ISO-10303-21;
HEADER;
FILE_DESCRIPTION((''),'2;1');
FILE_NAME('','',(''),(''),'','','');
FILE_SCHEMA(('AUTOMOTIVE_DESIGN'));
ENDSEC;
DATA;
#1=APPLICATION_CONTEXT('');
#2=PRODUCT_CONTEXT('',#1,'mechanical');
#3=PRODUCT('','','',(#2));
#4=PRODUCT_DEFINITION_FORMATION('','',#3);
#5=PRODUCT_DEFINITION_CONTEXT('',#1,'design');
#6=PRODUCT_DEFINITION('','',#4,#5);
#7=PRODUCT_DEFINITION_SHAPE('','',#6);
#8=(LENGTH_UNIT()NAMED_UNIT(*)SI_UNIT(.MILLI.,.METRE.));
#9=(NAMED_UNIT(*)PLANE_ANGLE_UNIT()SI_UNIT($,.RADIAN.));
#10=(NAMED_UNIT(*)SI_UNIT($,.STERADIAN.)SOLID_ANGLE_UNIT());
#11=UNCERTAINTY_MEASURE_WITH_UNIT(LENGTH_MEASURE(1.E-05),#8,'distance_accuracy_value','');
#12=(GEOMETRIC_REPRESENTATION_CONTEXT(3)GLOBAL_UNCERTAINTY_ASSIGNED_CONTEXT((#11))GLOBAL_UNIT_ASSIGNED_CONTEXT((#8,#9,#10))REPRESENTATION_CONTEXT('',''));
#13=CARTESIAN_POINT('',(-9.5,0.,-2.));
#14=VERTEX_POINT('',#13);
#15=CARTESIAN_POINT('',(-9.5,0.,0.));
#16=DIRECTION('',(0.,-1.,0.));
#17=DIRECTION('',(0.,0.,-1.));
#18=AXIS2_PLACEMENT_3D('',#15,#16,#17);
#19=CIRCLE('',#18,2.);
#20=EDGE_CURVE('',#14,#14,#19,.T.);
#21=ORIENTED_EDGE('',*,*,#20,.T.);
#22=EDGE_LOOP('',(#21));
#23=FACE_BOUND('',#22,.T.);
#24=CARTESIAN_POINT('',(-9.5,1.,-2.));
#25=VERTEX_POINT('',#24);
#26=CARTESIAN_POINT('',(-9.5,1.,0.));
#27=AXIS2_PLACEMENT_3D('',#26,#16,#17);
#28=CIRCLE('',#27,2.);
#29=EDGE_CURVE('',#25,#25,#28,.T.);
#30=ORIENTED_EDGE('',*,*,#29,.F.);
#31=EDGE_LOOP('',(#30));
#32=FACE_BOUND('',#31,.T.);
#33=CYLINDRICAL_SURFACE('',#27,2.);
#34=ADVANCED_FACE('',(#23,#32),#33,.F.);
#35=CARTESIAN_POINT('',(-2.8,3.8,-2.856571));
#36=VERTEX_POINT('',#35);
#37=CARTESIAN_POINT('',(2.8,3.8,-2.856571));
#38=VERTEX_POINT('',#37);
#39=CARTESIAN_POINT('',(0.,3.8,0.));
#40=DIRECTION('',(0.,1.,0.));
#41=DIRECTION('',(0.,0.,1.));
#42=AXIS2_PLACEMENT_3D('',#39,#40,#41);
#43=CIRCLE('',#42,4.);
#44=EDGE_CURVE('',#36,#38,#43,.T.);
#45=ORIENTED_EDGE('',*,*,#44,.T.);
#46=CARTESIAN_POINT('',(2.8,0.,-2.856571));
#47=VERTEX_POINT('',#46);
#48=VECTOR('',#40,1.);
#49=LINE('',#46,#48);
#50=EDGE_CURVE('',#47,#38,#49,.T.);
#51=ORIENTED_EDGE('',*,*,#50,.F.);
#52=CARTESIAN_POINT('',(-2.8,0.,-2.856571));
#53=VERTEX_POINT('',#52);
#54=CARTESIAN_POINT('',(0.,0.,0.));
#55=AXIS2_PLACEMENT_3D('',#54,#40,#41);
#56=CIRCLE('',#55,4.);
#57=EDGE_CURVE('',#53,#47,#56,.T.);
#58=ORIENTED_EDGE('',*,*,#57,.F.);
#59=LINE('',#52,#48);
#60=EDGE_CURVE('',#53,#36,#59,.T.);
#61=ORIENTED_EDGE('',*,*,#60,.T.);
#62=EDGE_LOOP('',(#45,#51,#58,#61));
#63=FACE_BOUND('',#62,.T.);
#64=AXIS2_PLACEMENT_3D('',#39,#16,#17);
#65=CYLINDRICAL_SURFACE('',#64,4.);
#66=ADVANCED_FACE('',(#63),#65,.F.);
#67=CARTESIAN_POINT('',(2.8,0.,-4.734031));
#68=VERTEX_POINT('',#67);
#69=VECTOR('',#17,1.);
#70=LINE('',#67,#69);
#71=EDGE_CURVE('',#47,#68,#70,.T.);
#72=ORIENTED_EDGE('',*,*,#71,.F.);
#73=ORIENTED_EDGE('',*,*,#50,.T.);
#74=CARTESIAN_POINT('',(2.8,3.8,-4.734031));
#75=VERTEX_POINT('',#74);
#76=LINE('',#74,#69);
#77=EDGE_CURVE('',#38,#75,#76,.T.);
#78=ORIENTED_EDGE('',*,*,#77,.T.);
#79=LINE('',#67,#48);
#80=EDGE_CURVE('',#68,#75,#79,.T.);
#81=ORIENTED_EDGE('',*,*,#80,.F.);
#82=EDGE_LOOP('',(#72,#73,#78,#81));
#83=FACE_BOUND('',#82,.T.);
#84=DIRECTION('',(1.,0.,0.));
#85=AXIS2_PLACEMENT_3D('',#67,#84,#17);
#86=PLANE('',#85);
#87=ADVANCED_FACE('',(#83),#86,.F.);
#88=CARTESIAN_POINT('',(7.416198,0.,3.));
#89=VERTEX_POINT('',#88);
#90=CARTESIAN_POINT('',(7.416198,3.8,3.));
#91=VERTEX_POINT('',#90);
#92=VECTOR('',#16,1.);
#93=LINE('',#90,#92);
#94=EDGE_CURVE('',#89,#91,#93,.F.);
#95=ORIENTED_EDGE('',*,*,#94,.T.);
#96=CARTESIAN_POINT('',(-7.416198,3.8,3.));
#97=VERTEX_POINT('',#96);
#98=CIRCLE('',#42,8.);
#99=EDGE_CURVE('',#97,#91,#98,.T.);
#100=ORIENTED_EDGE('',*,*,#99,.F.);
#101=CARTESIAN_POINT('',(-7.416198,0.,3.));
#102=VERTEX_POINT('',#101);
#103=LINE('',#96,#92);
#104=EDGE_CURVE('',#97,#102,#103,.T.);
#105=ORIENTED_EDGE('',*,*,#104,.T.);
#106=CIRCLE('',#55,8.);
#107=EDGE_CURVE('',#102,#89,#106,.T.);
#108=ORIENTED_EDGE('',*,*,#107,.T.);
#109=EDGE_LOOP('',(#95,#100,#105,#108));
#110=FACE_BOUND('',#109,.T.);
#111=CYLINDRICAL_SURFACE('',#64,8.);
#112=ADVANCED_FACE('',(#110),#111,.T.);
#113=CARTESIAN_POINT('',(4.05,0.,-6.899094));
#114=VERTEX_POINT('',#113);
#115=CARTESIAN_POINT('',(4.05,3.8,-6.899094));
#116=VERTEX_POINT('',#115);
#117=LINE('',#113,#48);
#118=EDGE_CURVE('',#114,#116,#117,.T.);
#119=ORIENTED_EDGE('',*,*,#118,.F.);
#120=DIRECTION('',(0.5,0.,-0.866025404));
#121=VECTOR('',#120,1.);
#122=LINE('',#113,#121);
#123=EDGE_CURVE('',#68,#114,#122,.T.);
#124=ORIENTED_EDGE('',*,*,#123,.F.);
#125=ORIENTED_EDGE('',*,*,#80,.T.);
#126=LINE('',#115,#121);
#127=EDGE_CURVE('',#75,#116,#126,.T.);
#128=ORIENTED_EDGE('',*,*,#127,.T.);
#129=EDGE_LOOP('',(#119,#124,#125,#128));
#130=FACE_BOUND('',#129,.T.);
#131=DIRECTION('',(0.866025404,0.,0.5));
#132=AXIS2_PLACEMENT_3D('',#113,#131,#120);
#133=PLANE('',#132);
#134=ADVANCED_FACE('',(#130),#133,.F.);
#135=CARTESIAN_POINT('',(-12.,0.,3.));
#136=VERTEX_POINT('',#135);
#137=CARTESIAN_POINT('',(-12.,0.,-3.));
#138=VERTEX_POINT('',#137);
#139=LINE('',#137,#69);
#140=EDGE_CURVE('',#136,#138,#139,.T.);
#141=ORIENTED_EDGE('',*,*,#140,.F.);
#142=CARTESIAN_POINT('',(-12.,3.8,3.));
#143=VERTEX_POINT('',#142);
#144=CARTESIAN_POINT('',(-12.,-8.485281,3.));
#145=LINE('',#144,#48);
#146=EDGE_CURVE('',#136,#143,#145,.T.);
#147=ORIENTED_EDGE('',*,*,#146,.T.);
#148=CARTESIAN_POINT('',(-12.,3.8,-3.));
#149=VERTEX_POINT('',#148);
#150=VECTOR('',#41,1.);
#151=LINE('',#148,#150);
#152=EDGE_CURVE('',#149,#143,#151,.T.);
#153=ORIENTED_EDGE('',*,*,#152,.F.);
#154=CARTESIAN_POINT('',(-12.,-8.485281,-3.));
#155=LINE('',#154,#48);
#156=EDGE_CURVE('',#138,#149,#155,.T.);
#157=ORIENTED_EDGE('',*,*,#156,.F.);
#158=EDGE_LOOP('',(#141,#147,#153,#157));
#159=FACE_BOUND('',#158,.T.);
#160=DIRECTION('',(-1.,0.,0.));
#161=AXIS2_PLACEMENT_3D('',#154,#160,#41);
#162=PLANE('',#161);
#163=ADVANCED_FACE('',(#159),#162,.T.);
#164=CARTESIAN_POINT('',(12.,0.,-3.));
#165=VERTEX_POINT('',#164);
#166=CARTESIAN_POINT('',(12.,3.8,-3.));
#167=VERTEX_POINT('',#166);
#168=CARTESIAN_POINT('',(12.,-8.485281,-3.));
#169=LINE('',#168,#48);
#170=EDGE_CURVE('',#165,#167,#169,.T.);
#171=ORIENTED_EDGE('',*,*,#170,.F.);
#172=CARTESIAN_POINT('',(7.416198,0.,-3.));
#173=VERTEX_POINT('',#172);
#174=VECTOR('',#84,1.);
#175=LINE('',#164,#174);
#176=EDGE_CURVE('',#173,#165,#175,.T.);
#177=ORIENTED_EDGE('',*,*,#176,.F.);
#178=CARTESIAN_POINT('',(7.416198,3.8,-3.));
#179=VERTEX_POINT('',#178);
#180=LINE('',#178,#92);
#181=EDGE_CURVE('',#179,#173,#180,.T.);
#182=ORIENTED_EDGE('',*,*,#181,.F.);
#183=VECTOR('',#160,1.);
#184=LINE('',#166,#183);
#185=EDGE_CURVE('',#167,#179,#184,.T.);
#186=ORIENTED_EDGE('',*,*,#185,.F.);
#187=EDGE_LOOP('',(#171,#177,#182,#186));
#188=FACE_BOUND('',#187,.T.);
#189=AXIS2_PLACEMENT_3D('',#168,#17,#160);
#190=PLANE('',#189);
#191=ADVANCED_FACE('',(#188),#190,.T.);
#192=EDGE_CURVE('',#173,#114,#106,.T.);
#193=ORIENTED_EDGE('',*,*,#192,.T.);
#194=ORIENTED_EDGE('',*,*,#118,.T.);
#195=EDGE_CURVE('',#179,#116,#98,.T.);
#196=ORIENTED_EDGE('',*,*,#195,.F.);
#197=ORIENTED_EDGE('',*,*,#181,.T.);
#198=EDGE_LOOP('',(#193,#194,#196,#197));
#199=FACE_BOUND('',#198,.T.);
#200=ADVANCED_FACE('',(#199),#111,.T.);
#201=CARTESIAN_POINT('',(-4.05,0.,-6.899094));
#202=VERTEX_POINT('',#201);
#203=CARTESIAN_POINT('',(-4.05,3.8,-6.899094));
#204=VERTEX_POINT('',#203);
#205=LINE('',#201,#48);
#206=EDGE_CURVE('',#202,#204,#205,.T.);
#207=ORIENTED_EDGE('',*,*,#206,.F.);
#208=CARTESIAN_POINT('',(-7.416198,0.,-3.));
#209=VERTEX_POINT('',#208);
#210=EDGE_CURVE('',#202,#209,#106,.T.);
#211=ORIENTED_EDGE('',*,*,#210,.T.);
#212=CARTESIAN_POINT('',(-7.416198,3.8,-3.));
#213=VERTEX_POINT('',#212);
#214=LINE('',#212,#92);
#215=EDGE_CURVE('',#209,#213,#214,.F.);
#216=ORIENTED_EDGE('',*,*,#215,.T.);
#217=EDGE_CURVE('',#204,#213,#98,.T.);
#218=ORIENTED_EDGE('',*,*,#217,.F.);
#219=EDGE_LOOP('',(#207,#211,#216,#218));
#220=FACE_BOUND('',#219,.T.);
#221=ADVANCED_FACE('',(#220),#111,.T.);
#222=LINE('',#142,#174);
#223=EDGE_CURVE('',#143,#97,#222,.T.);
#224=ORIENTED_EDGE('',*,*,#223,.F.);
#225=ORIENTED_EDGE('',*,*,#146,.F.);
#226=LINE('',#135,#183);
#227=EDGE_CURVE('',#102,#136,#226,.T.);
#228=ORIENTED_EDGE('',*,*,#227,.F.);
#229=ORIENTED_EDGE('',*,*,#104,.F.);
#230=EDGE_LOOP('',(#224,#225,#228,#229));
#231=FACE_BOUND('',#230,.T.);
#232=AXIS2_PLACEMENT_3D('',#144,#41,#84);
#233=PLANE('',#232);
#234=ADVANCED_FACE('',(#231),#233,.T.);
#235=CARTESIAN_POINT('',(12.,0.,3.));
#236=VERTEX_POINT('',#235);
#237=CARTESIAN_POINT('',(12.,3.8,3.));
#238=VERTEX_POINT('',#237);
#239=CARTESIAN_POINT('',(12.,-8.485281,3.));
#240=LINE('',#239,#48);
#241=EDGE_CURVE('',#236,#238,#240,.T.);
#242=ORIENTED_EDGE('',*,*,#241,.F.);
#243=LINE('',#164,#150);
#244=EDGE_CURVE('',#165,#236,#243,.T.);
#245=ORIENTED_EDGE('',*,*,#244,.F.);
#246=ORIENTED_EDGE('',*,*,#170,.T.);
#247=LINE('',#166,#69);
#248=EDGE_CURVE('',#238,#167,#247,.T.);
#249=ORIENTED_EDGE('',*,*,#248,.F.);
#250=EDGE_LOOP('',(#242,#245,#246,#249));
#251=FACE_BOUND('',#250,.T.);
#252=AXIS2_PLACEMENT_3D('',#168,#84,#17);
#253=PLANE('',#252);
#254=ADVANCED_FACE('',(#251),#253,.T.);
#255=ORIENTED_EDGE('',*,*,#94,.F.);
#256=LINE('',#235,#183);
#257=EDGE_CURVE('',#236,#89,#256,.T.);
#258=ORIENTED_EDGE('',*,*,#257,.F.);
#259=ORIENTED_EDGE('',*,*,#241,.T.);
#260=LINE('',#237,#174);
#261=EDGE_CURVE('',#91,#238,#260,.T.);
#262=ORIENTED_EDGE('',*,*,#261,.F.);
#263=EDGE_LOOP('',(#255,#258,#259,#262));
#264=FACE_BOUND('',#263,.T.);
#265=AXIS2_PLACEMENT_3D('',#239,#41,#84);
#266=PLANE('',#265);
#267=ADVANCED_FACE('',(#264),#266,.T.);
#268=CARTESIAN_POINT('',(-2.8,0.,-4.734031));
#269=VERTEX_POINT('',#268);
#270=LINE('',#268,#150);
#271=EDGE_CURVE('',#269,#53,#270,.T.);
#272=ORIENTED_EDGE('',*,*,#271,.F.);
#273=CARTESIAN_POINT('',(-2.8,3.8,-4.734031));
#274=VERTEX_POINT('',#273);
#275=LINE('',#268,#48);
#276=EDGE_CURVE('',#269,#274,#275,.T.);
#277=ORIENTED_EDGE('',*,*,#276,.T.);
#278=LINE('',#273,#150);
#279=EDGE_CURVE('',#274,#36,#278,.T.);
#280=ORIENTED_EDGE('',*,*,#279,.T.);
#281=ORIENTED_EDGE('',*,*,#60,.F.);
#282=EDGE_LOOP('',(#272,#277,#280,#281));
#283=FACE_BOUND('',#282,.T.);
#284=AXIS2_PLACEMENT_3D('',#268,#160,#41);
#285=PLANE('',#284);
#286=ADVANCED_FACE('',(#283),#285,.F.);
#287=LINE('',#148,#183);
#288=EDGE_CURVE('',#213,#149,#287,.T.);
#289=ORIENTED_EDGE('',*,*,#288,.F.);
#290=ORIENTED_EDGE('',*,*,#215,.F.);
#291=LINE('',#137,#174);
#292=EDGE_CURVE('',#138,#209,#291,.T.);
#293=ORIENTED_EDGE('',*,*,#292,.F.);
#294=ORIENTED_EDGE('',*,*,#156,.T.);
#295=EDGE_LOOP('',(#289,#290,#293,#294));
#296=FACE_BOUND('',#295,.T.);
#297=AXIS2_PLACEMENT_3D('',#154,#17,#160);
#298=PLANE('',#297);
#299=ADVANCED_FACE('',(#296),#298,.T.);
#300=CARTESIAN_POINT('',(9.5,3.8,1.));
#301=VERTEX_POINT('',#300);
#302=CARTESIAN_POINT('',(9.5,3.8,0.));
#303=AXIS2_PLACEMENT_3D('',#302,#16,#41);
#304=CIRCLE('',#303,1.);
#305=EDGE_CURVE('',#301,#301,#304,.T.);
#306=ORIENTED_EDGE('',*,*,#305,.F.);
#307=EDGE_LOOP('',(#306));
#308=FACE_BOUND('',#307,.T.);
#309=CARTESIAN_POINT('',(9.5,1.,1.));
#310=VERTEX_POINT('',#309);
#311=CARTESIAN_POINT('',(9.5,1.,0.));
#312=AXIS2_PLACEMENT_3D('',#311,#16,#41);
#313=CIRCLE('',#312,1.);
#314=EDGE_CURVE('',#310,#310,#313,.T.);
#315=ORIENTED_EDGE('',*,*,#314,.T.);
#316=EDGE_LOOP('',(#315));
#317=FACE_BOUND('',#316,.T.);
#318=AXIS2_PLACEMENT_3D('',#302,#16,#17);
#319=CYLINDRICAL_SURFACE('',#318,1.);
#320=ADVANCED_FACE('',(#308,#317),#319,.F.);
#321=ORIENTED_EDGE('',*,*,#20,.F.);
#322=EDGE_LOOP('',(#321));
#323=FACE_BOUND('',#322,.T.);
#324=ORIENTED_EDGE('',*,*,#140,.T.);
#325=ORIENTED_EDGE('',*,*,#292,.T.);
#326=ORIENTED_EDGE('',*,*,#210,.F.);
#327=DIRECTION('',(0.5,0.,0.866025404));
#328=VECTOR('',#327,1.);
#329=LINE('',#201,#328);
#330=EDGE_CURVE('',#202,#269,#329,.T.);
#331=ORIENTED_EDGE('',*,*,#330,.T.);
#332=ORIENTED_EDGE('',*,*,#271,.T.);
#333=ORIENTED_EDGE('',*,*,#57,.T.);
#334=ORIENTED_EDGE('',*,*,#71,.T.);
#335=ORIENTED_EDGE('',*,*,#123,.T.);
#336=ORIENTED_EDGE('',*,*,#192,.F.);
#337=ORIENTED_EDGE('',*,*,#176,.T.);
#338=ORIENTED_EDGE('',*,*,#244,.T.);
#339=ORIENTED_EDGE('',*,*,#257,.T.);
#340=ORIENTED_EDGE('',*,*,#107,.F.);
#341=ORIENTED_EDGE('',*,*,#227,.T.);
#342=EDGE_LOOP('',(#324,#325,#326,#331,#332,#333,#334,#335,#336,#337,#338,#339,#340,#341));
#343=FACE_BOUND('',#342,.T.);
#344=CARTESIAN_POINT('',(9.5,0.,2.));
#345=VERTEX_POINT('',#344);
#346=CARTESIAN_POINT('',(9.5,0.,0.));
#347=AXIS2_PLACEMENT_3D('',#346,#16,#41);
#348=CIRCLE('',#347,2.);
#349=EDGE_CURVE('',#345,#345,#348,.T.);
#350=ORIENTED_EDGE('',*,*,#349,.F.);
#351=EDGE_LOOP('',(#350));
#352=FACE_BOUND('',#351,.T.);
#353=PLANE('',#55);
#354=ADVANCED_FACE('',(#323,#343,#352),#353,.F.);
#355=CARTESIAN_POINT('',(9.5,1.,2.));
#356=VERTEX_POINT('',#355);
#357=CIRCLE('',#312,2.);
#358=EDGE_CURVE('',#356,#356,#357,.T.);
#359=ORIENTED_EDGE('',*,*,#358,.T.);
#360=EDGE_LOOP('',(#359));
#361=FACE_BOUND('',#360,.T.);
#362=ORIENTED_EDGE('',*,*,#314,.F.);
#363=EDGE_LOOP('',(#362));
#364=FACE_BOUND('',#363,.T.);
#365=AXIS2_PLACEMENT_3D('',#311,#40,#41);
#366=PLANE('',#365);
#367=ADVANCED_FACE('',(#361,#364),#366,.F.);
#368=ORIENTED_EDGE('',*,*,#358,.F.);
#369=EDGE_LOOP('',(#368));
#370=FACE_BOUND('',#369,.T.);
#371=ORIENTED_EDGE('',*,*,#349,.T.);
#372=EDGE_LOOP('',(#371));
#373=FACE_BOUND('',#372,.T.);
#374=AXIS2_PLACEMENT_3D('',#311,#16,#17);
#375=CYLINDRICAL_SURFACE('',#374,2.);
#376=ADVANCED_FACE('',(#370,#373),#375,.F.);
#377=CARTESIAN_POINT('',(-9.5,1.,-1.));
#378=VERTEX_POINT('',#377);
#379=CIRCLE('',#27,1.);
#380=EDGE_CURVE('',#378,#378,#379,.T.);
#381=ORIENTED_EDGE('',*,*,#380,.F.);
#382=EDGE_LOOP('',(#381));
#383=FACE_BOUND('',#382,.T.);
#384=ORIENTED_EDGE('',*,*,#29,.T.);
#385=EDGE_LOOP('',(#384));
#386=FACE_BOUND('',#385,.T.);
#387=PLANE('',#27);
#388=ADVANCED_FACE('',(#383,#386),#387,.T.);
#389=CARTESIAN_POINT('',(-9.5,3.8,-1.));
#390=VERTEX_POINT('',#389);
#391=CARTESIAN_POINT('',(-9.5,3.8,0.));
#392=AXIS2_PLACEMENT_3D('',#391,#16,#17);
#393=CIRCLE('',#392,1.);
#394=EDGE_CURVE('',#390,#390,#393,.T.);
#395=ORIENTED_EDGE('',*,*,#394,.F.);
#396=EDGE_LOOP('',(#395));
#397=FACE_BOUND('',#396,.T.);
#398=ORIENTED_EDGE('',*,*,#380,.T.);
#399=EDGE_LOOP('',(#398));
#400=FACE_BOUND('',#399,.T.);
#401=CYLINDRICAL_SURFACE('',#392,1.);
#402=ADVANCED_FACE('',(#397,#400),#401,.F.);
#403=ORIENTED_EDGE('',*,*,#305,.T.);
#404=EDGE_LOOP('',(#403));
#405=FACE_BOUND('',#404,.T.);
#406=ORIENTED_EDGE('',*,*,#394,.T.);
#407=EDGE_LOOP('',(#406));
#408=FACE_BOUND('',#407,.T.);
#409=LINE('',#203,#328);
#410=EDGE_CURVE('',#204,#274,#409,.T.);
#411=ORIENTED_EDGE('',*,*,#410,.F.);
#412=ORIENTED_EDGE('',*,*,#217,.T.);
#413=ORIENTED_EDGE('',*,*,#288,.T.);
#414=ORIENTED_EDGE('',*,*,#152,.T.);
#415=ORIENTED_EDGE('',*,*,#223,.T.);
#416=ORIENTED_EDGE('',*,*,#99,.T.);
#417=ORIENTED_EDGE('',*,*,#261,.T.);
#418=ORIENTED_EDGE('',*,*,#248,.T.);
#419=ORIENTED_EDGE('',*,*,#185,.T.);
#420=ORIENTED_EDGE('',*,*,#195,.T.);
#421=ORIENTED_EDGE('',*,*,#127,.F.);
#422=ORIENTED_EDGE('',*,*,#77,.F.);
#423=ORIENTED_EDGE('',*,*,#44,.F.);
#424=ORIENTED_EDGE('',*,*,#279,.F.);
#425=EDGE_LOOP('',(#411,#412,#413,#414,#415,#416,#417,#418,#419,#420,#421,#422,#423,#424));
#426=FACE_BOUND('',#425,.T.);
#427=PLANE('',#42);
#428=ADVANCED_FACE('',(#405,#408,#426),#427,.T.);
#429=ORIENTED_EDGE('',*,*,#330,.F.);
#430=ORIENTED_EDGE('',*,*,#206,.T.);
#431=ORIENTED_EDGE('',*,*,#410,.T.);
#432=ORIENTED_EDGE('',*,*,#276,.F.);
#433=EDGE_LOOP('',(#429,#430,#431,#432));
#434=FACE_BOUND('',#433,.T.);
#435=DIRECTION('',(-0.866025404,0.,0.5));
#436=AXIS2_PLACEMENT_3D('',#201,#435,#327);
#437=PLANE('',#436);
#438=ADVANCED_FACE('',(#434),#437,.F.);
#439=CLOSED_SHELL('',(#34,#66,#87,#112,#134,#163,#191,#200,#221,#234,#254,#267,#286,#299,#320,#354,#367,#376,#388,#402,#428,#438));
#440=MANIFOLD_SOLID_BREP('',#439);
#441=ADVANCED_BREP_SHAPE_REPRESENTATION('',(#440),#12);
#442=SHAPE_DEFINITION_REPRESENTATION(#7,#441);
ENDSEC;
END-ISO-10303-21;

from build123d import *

# Parameters (mm, degrees)
SKETCH_1_R          = 8
SKETCH_1_R_2        = 4
EXTRUDE_1_DEPTH     = 3.8
SKETCH_4_W          = 6
SKETCH_4_H          = 6
EXTRUDE_2_DEPTH     = 3.8
SKETCH_5_R          = 2
CUT_EXTRUDE_3_DEPTH = 1
SKETCH_6_R          = 1
CUT_EXTRUDE_4_DEPTH = 15.691494138
CUT_EXTRUDE_5_DEPTH = 15.91442255


with BuildPart() as part:
    # 草图1 → 凸台-拉伸1 (new body)
    with BuildSketch(Plane(origin=(0, 0, 0), x_dir=(1, 0, 0), z_dir=(0, 1, 0))):
        with Locations(Location((0, 0, 0), (0, 0, 90))):
            Circle(SKETCH_1_R)
        with Locations(Location((0, 0, 0), (0, 0, 90))):
            Circle(SKETCH_1_R_2, mode=Mode.SUBTRACT)
    extrude(amount=EXTRUDE_1_DEPTH)

    # 草图4 → 凸台-拉伸2 (add)
    with BuildSketch(Plane(origin=(0, 3.8, 0), x_dir=(1, 0, 0), z_dir=(0, 1, 0))):
        with Locations((-9, 0)):
            Rectangle(SKETCH_4_W, SKETCH_4_H)
        with Locations((9, 0)):
            Rectangle(SKETCH_4_W, SKETCH_4_H)
    extrude(amount=-EXTRUDE_2_DEPTH)

    # 草图5 → 切除-拉伸3 (cut)
    with BuildSketch(Plane.XZ):
        with Locations(Location((-9.5, 0, 0), (0, 0, 270))):
            Circle(SKETCH_5_R)
        with Locations(Location((9.5, 0, 0), (0, 0, 90))):
            Circle(SKETCH_5_R)
    extrude(amount=-CUT_EXTRUDE_3_DEPTH, mode=Mode.SUBTRACT)

    # 草图6 → 切除-拉伸4 (cut, through all)
    with BuildSketch(Plane.XZ.offset(-1)):
        with Locations(Location((-9.5, 0, 0), (0, 0, 270))):
            Circle(SKETCH_6_R)
        with Locations(Location((9.5, 0, 0), (0, 0, 90))):
            Circle(SKETCH_6_R)
    extrude(amount=-CUT_EXTRUDE_4_DEPTH, mode=Mode.SUBTRACT)

    # 草图7 → 切除-拉伸5 (cut, through all)
    with BuildSketch(Plane(origin=(0, 3.8, 0), x_dir=(1, 0, 0), z_dir=(0, 1, 0))):
        with BuildLine():
            Line((-4.05, 6.899094143), (-2.8, 4.734030634))
            Line((-2.8, 4.734030634), (-2.8, 2.856571371))
            ThreePointArc((-2.8, 2.856571371), (0, 4), (2.8, 2.856571371))
            Line((2.8, 2.856571371), (2.8, 4.734030634))
            Line((2.8, 4.734030634), (4.05, 6.899094143))
            ThreePointArc((4.05, 6.899094143), (0, 8), (-4.05, 6.899094143))
        make_face()
    extrude(amount=-CUT_EXTRUDE_5_DEPTH, mode=Mode.SUBTRACT)


solid = part.part
